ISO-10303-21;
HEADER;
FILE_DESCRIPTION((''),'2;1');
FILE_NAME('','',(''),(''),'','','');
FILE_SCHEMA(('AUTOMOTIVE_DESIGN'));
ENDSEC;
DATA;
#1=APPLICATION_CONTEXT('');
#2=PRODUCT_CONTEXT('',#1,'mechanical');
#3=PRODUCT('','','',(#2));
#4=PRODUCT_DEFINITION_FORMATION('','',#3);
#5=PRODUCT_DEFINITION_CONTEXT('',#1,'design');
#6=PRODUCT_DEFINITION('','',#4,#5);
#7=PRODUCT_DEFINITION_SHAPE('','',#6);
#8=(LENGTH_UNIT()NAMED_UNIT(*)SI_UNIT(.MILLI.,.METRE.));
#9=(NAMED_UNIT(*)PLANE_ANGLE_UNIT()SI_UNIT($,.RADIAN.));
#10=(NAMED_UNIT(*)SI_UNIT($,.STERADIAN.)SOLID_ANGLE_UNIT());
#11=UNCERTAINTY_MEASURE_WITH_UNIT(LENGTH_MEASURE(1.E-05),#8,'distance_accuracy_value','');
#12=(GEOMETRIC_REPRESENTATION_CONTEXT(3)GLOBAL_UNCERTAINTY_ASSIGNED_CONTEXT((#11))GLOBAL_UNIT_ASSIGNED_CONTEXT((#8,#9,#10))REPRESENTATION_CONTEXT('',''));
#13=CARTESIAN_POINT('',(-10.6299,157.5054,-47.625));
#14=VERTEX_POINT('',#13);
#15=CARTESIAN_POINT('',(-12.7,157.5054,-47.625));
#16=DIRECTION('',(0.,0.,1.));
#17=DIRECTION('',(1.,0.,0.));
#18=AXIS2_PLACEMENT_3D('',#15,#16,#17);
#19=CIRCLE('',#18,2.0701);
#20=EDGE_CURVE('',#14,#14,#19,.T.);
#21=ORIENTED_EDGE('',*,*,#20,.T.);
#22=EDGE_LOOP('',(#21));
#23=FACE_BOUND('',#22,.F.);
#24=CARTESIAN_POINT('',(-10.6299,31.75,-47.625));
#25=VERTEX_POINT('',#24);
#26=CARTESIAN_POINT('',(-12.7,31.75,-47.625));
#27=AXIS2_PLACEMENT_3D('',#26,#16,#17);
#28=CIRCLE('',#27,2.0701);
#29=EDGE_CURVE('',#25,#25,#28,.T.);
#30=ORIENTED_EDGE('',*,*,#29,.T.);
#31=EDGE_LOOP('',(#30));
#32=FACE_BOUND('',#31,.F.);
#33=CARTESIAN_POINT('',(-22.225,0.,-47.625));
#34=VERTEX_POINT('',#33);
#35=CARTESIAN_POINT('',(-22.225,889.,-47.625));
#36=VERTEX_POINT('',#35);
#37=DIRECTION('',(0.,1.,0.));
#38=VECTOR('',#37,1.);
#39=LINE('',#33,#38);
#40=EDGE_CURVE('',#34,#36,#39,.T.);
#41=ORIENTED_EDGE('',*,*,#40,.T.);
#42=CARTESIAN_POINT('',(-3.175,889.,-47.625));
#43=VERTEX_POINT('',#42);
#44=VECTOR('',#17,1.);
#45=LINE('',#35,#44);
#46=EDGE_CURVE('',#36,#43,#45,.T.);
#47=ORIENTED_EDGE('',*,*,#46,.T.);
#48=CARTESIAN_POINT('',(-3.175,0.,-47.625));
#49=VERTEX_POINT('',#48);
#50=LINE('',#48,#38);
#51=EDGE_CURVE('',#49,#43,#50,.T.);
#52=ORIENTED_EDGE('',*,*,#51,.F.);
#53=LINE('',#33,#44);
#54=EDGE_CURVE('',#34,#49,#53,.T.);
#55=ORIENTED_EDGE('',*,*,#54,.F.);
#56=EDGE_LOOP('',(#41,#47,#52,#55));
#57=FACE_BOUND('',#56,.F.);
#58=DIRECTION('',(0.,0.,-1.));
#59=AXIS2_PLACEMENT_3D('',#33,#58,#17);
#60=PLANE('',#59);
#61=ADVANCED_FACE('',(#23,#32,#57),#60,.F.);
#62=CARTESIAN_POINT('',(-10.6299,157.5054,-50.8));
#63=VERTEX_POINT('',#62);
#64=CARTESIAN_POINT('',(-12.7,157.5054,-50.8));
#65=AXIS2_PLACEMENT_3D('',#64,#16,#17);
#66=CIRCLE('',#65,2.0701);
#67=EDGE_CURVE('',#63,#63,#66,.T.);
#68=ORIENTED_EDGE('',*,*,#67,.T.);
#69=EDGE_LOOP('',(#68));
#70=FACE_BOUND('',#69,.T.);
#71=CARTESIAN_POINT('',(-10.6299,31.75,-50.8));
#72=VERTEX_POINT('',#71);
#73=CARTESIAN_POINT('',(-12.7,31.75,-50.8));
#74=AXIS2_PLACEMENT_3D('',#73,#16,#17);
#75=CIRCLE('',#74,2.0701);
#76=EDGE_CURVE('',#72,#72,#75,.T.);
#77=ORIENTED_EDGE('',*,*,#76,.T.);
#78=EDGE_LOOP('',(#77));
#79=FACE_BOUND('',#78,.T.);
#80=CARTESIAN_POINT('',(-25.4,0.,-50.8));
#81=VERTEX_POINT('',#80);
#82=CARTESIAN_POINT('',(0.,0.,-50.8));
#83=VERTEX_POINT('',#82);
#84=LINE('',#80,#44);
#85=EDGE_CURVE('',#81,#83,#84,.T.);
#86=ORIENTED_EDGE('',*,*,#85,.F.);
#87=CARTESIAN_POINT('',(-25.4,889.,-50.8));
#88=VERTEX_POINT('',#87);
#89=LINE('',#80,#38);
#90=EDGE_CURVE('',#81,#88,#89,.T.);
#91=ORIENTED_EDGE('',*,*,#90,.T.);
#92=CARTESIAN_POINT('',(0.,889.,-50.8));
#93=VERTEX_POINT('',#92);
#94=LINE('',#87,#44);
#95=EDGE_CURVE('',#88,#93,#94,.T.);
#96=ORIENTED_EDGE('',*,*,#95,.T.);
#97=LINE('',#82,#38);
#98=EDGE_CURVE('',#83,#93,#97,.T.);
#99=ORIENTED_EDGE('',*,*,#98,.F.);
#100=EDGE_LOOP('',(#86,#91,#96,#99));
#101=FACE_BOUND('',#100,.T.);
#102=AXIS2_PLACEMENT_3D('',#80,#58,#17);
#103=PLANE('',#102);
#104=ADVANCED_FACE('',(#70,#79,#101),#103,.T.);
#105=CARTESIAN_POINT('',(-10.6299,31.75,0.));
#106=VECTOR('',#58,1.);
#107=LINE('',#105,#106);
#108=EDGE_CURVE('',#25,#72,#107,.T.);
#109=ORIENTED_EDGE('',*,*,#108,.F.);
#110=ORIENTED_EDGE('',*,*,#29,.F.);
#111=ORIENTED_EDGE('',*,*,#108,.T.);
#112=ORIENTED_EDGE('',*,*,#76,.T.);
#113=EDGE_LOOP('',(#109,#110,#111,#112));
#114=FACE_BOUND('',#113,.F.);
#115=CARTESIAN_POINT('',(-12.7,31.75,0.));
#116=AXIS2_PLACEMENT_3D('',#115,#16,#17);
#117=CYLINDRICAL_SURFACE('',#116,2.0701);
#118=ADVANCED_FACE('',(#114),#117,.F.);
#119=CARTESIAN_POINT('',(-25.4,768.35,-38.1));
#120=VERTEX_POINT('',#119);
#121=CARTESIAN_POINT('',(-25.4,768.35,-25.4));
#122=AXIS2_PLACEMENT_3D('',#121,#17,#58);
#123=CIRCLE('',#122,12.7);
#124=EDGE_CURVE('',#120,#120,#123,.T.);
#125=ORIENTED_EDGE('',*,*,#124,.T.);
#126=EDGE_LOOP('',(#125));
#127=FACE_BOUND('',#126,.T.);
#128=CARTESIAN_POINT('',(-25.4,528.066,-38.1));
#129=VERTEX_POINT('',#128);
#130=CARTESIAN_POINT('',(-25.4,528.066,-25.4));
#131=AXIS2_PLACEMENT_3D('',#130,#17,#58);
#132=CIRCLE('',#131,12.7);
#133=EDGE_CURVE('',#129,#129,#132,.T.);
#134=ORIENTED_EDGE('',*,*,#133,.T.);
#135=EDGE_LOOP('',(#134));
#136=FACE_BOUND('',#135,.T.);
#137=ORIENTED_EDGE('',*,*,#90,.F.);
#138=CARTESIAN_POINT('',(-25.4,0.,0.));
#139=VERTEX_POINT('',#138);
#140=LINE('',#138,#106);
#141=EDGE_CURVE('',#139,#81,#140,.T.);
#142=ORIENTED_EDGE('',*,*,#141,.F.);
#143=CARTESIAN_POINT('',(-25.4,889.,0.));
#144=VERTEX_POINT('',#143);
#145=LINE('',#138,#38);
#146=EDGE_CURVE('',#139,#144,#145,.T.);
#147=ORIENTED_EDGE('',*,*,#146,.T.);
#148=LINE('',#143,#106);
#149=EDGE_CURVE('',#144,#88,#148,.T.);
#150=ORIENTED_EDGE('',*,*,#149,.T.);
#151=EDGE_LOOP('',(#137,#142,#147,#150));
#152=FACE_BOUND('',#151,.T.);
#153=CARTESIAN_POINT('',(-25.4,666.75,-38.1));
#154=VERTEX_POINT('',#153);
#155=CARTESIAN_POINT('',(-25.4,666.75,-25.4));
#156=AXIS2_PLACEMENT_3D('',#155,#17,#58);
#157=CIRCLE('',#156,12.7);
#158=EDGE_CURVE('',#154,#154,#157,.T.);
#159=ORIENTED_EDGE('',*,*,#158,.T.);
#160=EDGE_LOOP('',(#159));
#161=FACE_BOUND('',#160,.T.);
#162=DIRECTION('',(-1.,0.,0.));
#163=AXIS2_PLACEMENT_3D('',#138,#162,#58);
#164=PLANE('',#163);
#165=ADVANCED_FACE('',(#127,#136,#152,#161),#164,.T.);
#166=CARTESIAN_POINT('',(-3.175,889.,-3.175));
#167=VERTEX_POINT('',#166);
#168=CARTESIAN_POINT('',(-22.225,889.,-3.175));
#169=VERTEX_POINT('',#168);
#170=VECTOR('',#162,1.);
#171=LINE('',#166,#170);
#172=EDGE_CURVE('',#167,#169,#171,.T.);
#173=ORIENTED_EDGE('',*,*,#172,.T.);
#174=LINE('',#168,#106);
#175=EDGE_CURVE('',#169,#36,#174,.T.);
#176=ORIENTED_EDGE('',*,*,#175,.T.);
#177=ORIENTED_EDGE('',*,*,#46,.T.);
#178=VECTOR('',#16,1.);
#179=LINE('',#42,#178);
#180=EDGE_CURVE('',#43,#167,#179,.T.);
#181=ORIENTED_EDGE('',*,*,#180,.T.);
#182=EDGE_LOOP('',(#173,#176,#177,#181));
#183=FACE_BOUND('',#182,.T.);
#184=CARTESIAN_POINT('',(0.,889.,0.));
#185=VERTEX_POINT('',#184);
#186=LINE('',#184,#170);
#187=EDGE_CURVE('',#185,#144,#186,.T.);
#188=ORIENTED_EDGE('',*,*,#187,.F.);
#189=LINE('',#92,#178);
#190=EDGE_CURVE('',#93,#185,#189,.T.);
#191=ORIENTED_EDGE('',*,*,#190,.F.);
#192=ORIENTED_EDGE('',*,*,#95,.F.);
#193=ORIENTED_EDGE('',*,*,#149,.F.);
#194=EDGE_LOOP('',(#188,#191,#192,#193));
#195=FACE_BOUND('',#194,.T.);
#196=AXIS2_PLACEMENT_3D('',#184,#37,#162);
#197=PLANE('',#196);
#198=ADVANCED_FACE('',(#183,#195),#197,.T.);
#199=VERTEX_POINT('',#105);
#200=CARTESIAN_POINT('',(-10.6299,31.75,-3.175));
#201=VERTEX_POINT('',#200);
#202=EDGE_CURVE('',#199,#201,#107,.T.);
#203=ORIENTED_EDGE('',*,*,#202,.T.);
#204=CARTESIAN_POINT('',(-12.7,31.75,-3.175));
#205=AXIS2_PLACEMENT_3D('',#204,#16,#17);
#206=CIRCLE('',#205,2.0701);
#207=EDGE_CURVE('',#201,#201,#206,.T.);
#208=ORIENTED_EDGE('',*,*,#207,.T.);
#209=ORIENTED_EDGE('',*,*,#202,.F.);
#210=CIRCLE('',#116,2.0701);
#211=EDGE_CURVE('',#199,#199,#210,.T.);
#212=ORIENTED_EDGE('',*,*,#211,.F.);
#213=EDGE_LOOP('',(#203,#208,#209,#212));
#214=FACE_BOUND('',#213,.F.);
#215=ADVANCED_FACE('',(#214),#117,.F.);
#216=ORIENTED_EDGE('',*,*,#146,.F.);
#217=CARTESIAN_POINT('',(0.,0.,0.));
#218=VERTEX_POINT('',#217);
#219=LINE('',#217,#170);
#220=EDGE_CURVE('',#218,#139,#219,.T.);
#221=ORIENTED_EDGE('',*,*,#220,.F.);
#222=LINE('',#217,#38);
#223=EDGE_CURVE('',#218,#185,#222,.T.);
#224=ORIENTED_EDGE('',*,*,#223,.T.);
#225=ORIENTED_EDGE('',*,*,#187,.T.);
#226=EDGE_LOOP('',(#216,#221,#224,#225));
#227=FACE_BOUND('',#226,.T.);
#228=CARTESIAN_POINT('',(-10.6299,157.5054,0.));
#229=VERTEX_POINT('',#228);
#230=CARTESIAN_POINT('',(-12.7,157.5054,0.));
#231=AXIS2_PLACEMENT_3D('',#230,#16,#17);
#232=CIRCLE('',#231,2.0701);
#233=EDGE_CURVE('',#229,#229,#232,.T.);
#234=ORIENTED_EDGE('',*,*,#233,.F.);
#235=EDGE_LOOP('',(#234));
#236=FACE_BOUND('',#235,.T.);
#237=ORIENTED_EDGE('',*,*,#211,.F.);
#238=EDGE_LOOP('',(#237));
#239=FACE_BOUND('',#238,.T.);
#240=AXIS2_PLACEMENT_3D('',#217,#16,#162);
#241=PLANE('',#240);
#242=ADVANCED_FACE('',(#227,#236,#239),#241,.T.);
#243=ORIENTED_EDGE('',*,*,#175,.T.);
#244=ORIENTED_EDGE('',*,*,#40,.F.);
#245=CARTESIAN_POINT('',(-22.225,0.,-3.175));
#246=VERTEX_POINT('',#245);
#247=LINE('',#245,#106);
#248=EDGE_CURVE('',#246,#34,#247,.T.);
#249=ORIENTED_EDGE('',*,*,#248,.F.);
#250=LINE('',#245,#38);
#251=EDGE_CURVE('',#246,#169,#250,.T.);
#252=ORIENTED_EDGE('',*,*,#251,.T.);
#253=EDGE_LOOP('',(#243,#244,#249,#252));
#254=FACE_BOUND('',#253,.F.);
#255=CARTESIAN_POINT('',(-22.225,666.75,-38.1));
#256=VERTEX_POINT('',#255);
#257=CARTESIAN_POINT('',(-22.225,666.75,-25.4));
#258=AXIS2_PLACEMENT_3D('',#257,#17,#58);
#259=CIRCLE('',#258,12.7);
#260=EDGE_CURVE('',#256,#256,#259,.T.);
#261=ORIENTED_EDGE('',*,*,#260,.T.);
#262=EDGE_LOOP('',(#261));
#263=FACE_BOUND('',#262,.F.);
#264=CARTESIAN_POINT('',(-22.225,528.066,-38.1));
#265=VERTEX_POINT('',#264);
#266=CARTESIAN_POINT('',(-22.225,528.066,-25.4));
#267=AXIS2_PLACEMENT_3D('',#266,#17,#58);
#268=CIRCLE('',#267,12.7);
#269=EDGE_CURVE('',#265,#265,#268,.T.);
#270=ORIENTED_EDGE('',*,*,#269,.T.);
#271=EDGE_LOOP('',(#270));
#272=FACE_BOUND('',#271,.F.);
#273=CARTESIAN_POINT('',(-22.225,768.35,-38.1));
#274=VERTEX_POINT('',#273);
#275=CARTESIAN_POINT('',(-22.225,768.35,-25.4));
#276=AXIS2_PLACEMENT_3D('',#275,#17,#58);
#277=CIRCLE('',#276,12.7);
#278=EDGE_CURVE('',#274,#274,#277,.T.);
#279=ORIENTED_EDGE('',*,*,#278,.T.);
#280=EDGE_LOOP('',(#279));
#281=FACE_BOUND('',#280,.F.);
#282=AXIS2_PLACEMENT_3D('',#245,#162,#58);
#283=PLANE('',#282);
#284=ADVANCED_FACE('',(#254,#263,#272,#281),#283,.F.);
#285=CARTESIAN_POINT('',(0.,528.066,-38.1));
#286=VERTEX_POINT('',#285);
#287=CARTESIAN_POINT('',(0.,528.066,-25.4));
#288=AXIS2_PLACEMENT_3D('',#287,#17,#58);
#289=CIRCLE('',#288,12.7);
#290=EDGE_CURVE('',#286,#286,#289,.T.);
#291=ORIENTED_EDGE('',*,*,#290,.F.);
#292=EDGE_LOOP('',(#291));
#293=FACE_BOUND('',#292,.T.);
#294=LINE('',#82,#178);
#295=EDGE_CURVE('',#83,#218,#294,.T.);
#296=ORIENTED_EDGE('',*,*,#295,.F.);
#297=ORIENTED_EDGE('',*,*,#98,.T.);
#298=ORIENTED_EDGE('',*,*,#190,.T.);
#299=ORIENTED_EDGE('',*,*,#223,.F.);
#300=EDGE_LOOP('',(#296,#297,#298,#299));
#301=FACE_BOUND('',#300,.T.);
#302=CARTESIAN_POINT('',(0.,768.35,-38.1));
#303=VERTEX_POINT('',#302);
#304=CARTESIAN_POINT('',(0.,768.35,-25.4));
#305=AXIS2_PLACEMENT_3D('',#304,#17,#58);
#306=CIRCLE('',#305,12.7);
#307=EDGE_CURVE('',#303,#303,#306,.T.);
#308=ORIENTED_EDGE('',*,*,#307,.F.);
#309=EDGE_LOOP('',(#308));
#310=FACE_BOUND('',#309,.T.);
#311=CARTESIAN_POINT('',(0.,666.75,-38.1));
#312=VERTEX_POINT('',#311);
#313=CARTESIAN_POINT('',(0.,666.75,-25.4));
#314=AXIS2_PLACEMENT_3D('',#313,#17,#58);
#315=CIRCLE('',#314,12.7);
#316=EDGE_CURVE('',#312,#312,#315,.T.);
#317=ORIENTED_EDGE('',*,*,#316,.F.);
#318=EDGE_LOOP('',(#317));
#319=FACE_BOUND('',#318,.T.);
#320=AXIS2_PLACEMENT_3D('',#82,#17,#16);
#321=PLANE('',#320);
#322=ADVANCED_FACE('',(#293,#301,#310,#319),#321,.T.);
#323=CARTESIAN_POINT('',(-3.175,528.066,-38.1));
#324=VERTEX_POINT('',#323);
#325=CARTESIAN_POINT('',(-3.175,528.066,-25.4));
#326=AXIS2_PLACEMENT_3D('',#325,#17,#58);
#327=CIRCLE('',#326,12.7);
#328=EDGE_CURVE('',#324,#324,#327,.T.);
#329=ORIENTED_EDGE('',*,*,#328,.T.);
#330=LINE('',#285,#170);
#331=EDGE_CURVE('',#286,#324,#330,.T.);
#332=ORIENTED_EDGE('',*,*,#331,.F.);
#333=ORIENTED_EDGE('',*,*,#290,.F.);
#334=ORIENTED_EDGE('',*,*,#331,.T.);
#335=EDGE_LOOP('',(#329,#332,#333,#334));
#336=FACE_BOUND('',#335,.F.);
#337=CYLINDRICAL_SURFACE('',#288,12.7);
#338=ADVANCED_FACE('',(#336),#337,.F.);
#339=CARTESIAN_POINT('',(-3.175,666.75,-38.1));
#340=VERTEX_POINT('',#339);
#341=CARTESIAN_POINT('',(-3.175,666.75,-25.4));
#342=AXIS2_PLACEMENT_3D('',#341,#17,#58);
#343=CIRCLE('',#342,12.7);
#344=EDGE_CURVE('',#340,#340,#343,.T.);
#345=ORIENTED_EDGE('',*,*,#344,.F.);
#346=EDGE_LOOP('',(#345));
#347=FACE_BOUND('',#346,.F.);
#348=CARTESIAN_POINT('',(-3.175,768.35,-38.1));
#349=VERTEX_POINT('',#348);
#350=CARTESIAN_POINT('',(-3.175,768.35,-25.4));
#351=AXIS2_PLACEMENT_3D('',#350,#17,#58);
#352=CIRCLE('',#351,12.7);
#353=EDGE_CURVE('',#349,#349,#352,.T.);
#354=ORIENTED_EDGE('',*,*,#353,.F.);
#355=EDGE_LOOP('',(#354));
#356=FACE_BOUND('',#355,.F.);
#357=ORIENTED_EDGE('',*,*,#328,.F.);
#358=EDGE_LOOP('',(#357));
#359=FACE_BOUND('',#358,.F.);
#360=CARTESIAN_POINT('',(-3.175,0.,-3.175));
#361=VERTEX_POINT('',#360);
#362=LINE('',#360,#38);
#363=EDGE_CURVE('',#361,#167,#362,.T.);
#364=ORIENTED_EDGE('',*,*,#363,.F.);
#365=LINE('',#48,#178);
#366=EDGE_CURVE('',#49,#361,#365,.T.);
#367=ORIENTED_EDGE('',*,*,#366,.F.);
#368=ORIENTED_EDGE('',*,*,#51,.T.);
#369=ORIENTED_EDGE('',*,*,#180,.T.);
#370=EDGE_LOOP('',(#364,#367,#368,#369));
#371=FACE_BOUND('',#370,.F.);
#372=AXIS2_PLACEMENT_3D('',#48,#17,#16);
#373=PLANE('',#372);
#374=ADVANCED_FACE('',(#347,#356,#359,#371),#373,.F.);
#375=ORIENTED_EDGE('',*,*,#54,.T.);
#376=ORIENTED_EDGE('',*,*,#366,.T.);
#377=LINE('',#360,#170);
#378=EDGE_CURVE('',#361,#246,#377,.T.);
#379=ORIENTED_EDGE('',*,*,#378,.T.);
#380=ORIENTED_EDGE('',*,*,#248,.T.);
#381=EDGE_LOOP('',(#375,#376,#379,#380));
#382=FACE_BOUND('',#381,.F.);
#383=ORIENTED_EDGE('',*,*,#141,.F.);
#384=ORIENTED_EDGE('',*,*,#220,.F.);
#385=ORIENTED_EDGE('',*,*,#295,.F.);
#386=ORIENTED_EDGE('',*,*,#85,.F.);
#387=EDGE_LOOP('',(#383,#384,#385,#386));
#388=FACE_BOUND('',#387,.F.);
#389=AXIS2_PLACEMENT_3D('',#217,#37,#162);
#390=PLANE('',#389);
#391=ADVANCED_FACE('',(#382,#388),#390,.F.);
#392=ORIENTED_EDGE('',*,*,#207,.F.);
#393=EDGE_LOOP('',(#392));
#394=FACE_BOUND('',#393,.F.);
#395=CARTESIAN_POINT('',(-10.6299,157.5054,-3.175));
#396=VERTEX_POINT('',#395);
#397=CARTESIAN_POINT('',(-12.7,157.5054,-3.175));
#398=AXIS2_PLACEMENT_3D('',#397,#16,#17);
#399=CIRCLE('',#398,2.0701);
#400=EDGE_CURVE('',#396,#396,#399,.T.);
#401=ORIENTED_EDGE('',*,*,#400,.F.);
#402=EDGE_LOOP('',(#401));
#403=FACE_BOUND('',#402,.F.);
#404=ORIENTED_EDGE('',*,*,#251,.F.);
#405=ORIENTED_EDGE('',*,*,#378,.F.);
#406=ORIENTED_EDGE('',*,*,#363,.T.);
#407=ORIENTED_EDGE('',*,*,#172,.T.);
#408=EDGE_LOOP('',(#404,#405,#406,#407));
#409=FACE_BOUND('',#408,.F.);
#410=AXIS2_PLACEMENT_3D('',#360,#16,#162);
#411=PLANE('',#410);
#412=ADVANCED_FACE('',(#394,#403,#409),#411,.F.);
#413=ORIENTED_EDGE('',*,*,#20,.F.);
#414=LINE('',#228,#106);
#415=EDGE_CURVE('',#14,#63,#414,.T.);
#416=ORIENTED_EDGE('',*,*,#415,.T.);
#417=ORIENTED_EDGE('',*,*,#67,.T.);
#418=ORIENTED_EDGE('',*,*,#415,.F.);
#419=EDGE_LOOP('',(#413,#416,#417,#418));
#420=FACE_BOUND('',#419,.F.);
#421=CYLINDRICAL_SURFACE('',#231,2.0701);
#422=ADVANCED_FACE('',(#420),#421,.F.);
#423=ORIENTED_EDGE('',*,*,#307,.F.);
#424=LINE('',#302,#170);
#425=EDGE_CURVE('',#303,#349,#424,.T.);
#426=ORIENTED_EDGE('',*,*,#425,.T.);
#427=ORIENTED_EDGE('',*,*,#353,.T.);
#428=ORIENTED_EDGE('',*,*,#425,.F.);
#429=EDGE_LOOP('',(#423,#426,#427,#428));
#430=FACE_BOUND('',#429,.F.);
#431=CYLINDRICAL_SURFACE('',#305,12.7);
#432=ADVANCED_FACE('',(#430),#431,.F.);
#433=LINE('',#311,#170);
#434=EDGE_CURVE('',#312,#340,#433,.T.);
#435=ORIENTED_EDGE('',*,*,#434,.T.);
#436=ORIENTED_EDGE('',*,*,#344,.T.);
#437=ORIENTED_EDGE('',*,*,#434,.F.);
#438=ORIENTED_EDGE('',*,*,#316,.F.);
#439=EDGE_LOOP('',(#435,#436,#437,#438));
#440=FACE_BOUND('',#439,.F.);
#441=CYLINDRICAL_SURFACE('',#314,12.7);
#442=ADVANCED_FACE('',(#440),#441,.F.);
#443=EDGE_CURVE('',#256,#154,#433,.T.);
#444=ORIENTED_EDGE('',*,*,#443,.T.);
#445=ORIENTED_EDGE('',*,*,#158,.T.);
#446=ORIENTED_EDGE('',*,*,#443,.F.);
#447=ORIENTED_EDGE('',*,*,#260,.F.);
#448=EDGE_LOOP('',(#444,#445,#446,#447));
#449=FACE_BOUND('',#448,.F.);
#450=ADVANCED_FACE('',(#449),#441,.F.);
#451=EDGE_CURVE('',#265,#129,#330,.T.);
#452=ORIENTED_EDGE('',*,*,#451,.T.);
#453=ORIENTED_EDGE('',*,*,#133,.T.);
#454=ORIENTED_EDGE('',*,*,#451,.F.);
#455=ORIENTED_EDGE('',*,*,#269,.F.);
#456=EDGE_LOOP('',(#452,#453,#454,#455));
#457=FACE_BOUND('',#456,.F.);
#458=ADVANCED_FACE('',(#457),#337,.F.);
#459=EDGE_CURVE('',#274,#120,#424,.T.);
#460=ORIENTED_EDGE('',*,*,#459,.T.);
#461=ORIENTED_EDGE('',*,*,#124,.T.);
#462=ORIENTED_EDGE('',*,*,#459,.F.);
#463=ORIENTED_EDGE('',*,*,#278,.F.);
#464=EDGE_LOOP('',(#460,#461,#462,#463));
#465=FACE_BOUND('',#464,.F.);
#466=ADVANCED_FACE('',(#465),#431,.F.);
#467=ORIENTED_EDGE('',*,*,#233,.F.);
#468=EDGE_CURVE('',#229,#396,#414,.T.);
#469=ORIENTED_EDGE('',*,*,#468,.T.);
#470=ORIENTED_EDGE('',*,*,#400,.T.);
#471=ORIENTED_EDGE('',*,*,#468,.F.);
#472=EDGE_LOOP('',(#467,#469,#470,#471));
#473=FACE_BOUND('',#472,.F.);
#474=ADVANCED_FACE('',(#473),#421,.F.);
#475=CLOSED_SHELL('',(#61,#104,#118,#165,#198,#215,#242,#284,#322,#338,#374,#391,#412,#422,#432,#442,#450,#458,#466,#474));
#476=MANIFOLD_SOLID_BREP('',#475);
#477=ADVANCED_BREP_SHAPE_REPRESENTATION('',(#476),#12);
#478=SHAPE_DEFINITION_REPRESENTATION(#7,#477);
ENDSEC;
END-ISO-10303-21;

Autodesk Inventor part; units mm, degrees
ref_plane "YZ Plane" through (0, 0, 0) normal (1, 0, 0) x (0, 1, 0)
ref_plane "XZ Plane" through (0, 0, 0) normal (0, 1, 0) x (-1, 0, 0)
ref_plane "XY Plane" through (0, 0, 0) normal (0, 0, 1) x (1, 0, 0)
sketch "Sketch1" plane through (0, 0, 0) normal (0, 1, 0) x (-1, 0, 0)
  line L0 (0, 0) -> (25.4, 0)
  line L1 (25.4, 0) -> (25.4, -50.8)
  line L2 (25.4, -50.8) -> (0, -50.8)
  line L3 (0, -50.8) -> (0, 0)
  line L4 (3.175, -3.175) -> (22.225, -3.175)
  line L5 (22.225, -3.175) -> (22.225, -47.625)
  line L6 (22.225, -47.625) -> (3.175, -47.625)
  line L7 (3.175, -47.625) -> (3.175, -3.175)
  dimension "d0" = 50.8
  dimension "d1" = 25.4
  dimension "d2" = 3.175
extrude "Extrusion1" add sketch "Sketch1" along normal blind 889
sketch "Sketch6" plane through (0, 0, 0) normal (1, 0, 0) x (0, 0, -1)
  circle A0 centre (25.4, 768.35) radius 12.7
  line L0 (0, 889) -> (50.8, 889) projected
  line L1 (0, 0) -> (0, 889) projected
  dimension "d5" = 25.4
  dimension "d6" = 120.65
  dimension "d7" = 25.4
extrude "Extrusion2" cut sketch "Sketch6" against normal blind 25.4
sketch "Sketch8" plane through (-25.4, 0, 0) normal (0, 0, 1) x (1, 0, 0)
  circle A0 centre (12.7, 31.75) radius 2.0701
  line L0 (0, 0) -> (0, 889) projected
  line L1 (25.4, 0) -> (0, 0) projected
  dimension "d13" = 4.1402
  dimension "d14" = 12.7
  dimension "d15" = 31.75
extrude "Extrusion3" cut sketch "Sketch8" against normal blind 76.2
sketch "Sketch9" plane through (-25.4, 0, 0) normal (0, 0, 1) x (1, 0, 0)
  circle A0 centre (12.7, 157.5054) radius 2.0701
  line L0 (25.4, 0) -> (0, 0) projected
  line L1 (0, 0) -> (0, 889) projected
  dimension "d18" = 4.1402
  dimension "d19" = 157.5054
  dimension "d20" = 12.7
extrude "Extrusion4" cut sketch "Sketch9" against normal blind 76.2
sketch "Sketch10" plane through (0, 0, 0) normal (1, 0, 0) x (0, 0, -1)
  circle A0 centre (25.4, 528.066) radius 12.7
  line L0 (50.8, 0) -> (50.8, 889) projected
  line L1 (50.8, 0) -> (0, 0) projected
  circle A1 centre (25.4, 666.75) radius 12.7
  dimension "d23" = 25.4
  dimension "d24" = 25.4
  dimension "d25" = 528.066
  dimension "d26" = 25.4
  dimension "d27" = 666.75
extrude "Extrusion5" cut sketch "Sketch10" against normal blind 25.4
properties part number "16in 2x1 Aluminum Block-ver1-1111-2019"
